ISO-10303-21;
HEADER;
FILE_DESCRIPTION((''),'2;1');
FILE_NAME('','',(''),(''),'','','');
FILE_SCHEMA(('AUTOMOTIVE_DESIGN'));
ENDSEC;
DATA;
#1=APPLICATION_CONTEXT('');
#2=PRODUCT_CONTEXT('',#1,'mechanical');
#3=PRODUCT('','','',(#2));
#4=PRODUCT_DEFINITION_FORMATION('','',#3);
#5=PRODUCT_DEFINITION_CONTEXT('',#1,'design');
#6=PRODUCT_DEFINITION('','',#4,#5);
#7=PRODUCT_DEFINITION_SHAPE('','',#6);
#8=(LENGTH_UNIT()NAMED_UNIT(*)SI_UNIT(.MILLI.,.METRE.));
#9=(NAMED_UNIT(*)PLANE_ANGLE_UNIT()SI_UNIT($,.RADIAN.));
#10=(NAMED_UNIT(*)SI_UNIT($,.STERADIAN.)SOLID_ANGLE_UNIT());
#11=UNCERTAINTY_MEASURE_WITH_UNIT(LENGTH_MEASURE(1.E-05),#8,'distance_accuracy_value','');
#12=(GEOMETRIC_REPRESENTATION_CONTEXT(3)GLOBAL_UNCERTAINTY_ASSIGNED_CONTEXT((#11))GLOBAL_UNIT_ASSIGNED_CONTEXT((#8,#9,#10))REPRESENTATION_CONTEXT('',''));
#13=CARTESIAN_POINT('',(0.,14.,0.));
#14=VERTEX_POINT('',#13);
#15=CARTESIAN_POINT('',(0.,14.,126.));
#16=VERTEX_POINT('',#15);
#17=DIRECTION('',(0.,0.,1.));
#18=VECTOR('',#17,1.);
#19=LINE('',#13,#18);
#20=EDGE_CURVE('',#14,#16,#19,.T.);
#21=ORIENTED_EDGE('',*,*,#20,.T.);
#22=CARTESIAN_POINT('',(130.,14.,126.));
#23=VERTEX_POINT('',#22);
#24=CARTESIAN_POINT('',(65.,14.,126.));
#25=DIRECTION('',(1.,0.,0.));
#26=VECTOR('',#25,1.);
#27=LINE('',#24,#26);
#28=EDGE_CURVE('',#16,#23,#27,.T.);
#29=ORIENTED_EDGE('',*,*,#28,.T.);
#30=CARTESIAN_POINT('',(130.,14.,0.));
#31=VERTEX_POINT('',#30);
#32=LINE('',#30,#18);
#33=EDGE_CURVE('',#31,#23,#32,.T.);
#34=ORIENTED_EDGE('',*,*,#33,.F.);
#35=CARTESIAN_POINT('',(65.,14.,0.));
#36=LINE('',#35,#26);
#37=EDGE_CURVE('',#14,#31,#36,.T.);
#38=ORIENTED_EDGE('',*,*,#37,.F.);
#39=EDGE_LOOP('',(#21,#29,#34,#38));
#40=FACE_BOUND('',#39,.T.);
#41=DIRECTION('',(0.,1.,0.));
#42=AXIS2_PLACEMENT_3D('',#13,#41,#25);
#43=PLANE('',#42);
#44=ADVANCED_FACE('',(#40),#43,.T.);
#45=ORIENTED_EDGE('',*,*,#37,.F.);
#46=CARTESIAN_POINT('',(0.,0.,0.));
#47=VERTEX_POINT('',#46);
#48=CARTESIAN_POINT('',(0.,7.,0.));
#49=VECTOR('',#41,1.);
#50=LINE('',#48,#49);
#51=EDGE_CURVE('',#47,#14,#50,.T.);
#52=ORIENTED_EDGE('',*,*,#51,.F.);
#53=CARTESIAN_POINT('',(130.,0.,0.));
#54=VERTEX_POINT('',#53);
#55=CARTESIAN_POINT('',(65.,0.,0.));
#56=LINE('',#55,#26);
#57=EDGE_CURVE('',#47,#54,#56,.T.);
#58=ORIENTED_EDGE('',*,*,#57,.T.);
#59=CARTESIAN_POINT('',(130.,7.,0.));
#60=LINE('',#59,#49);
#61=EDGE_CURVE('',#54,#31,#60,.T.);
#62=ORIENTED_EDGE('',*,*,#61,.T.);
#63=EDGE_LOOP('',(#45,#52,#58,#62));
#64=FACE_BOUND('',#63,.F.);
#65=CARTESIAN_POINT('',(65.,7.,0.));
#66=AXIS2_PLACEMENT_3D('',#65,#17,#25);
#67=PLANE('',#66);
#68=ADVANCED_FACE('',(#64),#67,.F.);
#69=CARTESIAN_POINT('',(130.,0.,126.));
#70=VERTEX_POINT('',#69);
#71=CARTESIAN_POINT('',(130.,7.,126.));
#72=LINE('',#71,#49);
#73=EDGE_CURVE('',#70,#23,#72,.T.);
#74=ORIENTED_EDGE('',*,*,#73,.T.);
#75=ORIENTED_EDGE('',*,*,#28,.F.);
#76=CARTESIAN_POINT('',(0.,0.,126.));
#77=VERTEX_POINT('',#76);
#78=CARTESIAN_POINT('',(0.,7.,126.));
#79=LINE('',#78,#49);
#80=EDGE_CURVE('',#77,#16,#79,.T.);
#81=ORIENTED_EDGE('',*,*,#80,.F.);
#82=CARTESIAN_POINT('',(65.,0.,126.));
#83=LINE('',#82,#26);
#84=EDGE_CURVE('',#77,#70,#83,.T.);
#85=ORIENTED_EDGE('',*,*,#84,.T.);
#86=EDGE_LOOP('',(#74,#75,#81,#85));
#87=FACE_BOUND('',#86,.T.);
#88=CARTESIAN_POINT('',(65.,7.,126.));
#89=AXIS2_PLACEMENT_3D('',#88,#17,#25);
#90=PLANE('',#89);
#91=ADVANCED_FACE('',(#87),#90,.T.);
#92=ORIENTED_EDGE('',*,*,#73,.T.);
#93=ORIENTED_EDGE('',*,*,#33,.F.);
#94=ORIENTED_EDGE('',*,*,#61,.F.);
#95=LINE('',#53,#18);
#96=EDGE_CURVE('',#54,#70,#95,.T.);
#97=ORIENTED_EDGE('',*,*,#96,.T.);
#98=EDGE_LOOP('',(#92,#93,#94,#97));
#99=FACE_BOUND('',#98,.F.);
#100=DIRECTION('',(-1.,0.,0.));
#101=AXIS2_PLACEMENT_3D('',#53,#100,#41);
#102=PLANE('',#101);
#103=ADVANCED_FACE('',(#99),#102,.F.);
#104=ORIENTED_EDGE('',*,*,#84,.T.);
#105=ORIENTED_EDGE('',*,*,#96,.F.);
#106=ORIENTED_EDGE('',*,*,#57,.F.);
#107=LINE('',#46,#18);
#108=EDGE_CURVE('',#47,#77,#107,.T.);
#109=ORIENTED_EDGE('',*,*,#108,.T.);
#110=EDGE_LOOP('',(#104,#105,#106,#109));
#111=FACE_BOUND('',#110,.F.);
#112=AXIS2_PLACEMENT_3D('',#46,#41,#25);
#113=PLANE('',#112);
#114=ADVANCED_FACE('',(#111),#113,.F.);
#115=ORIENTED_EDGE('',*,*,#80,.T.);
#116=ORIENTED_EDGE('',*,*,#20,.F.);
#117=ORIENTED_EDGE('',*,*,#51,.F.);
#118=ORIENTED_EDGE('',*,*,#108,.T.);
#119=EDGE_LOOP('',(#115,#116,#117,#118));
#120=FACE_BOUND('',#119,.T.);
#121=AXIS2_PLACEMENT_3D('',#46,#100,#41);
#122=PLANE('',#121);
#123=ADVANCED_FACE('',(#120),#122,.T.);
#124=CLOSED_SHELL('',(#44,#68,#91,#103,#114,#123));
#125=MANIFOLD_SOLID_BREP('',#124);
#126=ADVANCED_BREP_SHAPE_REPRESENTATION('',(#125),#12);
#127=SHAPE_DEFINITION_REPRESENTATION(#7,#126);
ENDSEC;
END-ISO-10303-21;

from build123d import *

# Parameters (mm, degrees)
BOX_W     = 130
BOX_H     = 14
BOX_DEPTH = 126


with BuildPart() as part:
    # Box → Box (new body)
    with BuildSketch(Plane.XY):
        with Locations((65, 7)):
            Rectangle(BOX_W, BOX_H)
    extrude(amount=BOX_DEPTH)


solid = part.part
